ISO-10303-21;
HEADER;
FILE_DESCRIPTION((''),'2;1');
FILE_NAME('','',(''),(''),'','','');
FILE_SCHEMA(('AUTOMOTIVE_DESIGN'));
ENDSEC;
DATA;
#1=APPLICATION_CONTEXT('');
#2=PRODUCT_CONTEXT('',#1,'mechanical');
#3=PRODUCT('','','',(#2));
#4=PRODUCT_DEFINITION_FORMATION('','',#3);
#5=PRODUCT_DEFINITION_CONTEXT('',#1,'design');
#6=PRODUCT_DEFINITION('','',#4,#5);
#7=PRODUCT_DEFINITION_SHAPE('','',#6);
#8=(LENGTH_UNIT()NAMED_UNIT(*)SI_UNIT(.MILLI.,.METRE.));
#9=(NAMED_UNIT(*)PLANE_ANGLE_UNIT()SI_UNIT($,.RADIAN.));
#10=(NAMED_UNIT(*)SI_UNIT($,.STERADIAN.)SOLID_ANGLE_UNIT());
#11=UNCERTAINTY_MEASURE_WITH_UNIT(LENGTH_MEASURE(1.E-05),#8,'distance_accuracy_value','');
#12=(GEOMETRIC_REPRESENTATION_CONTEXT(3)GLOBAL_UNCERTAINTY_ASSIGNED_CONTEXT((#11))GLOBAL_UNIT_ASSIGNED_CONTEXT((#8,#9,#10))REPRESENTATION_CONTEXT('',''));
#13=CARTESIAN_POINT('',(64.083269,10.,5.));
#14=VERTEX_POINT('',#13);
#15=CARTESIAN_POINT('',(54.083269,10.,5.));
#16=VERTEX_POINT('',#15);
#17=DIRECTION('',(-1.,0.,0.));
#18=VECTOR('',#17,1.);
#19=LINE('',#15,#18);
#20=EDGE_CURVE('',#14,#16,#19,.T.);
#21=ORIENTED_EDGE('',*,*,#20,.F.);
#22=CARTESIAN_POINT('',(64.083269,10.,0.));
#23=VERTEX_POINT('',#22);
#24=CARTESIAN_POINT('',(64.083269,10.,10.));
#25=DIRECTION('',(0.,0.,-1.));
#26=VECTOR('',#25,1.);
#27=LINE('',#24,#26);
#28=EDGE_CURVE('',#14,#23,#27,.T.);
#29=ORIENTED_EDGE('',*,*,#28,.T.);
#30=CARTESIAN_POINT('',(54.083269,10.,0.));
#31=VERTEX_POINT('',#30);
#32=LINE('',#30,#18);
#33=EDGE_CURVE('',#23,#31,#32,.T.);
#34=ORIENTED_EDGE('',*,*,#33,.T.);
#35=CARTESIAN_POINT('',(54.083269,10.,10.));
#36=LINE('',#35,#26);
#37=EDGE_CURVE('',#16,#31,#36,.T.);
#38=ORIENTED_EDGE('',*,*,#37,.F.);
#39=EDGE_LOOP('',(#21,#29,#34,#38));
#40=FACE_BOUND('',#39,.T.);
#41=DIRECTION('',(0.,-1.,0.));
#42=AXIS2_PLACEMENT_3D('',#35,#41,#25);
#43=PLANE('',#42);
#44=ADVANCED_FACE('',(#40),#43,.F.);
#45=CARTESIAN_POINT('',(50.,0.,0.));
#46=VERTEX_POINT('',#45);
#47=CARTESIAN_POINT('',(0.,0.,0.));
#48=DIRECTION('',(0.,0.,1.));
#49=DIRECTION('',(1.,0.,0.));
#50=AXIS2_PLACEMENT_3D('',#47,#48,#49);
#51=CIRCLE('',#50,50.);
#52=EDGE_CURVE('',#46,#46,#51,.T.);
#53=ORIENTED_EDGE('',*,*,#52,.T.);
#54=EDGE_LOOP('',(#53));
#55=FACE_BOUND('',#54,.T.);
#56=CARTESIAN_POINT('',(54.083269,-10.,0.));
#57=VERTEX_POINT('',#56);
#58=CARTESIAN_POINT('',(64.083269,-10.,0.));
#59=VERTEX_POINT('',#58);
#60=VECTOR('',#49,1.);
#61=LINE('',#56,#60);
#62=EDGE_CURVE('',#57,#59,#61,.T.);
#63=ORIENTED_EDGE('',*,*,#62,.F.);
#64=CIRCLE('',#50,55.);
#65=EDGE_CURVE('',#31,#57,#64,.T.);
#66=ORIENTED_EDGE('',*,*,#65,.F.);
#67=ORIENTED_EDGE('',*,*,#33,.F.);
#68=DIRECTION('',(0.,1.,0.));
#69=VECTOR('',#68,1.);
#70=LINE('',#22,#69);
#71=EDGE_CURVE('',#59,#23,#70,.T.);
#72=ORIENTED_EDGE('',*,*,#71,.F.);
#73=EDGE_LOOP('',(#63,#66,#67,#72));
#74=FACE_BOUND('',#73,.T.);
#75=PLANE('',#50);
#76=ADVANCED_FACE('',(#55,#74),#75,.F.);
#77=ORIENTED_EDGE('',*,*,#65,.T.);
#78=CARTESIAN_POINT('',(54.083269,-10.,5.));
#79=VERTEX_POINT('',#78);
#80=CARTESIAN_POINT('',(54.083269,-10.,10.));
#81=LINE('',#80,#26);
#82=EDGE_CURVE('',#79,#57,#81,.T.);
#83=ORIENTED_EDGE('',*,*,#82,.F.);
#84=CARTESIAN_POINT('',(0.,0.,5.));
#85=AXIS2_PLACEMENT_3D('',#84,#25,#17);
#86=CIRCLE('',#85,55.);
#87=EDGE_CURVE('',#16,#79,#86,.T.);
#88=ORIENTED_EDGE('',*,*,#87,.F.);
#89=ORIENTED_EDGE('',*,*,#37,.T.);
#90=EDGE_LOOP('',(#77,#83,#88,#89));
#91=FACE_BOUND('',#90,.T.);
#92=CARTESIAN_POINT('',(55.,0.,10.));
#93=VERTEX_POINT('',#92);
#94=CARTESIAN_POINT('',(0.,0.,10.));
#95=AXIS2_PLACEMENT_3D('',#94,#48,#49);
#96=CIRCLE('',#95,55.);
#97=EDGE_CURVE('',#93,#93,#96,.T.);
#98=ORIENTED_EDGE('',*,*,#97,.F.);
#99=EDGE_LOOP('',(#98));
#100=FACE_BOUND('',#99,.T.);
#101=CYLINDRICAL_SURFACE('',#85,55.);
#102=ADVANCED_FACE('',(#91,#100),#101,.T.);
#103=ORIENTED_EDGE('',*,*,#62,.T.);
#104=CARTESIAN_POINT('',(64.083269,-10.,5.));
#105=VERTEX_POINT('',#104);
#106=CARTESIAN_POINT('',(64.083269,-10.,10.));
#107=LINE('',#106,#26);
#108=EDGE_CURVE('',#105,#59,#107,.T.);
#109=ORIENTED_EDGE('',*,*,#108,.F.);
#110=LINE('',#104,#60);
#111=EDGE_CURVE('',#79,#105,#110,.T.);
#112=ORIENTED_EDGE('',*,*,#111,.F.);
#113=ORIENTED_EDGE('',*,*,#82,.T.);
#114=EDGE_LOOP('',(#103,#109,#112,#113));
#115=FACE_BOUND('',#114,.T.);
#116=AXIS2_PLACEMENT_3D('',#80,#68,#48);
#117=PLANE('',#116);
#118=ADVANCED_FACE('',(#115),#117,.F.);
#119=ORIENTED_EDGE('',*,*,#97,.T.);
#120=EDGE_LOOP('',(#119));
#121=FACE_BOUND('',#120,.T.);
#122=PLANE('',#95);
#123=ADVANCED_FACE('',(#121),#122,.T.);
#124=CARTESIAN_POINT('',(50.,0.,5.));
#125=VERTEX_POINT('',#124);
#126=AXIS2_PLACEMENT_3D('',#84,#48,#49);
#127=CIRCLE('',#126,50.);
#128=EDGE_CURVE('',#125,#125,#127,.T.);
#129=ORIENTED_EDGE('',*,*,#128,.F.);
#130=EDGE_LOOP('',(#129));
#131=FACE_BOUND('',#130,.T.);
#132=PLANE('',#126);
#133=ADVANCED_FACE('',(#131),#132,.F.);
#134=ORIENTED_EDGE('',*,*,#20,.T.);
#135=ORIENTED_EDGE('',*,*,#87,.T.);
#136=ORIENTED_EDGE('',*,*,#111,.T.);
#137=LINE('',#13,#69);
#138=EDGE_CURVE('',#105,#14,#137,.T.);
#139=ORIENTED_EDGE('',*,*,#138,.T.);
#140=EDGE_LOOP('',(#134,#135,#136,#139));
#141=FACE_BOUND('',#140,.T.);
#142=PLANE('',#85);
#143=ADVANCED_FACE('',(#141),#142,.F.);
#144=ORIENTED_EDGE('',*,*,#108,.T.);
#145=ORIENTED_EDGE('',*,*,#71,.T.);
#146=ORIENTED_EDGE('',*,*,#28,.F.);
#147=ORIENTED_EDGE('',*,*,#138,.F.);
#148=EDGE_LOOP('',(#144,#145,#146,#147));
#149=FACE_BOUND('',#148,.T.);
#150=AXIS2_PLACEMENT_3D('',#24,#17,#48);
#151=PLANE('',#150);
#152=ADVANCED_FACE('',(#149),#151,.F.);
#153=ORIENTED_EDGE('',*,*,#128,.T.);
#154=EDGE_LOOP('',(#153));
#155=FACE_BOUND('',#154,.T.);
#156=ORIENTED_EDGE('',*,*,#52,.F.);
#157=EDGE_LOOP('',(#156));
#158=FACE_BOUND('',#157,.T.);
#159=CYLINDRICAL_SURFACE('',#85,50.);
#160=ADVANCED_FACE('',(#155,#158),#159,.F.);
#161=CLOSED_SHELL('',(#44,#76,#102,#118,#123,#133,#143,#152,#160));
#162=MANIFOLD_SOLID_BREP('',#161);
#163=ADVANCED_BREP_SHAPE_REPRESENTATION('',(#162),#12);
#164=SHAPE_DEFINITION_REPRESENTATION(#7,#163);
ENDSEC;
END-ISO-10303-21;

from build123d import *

# Parameters (mm, degrees)
SKETCH_1_R          = 55
SKETCH_1_R_2        = 50
EXTRUDE_1_DEPTH     = 5
SKETCH_3_R          = 55
EXTRUDE_2_DEPTH     = 5
SKETCH_5_W          = 10
SKETCH_5_H          = 20
EXTRUDE_3_DEPTH     = 10
CUT_EXTRUDE_START   = -5
CUT_EXTRUDE_1_DEPTH = 5


with BuildPart() as part:
    # 스케치1 → 보스-돌출1 (new body)
    with BuildSketch(Plane.XY):
        Circle(SKETCH_1_R)
        Circle(SKETCH_1_R_2, mode=Mode.SUBTRACT)
    extrude(amount=EXTRUDE_1_DEPTH)

    # 스케치3 → 보스-돌출2 (add)
    with BuildSketch(Plane.XY.offset(5)):
        Circle(SKETCH_3_R)
    extrude(amount=EXTRUDE_2_DEPTH)

    # 스케치5 → 보스-돌출3 (add)
    with BuildSketch(Plane.XY):
        with Locations((59.083269132, 0)):
            Rectangle(SKETCH_5_W, SKETCH_5_H)
    extrude(amount=EXTRUDE_3_DEPTH)

    # 스케치6 → 컷-돌출1 (cut)
    with BuildSketch(Plane.XY.offset(10).offset(CUT_EXTRUDE_START)):
        with BuildLine():
            Line((54.083269132, 10), (64.083269132, 10))
            Line((64.083269132, 10), (64.083269132, -10))
            Line((64.083269132, -10), (54.083269132, -10))
            ThreePointArc((54.083269132, -10), (55, 0), (54.083269132, 10))
        make_face()
    extrude(amount=CUT_EXTRUDE_1_DEPTH, mode=Mode.SUBTRACT)


solid = part.part
